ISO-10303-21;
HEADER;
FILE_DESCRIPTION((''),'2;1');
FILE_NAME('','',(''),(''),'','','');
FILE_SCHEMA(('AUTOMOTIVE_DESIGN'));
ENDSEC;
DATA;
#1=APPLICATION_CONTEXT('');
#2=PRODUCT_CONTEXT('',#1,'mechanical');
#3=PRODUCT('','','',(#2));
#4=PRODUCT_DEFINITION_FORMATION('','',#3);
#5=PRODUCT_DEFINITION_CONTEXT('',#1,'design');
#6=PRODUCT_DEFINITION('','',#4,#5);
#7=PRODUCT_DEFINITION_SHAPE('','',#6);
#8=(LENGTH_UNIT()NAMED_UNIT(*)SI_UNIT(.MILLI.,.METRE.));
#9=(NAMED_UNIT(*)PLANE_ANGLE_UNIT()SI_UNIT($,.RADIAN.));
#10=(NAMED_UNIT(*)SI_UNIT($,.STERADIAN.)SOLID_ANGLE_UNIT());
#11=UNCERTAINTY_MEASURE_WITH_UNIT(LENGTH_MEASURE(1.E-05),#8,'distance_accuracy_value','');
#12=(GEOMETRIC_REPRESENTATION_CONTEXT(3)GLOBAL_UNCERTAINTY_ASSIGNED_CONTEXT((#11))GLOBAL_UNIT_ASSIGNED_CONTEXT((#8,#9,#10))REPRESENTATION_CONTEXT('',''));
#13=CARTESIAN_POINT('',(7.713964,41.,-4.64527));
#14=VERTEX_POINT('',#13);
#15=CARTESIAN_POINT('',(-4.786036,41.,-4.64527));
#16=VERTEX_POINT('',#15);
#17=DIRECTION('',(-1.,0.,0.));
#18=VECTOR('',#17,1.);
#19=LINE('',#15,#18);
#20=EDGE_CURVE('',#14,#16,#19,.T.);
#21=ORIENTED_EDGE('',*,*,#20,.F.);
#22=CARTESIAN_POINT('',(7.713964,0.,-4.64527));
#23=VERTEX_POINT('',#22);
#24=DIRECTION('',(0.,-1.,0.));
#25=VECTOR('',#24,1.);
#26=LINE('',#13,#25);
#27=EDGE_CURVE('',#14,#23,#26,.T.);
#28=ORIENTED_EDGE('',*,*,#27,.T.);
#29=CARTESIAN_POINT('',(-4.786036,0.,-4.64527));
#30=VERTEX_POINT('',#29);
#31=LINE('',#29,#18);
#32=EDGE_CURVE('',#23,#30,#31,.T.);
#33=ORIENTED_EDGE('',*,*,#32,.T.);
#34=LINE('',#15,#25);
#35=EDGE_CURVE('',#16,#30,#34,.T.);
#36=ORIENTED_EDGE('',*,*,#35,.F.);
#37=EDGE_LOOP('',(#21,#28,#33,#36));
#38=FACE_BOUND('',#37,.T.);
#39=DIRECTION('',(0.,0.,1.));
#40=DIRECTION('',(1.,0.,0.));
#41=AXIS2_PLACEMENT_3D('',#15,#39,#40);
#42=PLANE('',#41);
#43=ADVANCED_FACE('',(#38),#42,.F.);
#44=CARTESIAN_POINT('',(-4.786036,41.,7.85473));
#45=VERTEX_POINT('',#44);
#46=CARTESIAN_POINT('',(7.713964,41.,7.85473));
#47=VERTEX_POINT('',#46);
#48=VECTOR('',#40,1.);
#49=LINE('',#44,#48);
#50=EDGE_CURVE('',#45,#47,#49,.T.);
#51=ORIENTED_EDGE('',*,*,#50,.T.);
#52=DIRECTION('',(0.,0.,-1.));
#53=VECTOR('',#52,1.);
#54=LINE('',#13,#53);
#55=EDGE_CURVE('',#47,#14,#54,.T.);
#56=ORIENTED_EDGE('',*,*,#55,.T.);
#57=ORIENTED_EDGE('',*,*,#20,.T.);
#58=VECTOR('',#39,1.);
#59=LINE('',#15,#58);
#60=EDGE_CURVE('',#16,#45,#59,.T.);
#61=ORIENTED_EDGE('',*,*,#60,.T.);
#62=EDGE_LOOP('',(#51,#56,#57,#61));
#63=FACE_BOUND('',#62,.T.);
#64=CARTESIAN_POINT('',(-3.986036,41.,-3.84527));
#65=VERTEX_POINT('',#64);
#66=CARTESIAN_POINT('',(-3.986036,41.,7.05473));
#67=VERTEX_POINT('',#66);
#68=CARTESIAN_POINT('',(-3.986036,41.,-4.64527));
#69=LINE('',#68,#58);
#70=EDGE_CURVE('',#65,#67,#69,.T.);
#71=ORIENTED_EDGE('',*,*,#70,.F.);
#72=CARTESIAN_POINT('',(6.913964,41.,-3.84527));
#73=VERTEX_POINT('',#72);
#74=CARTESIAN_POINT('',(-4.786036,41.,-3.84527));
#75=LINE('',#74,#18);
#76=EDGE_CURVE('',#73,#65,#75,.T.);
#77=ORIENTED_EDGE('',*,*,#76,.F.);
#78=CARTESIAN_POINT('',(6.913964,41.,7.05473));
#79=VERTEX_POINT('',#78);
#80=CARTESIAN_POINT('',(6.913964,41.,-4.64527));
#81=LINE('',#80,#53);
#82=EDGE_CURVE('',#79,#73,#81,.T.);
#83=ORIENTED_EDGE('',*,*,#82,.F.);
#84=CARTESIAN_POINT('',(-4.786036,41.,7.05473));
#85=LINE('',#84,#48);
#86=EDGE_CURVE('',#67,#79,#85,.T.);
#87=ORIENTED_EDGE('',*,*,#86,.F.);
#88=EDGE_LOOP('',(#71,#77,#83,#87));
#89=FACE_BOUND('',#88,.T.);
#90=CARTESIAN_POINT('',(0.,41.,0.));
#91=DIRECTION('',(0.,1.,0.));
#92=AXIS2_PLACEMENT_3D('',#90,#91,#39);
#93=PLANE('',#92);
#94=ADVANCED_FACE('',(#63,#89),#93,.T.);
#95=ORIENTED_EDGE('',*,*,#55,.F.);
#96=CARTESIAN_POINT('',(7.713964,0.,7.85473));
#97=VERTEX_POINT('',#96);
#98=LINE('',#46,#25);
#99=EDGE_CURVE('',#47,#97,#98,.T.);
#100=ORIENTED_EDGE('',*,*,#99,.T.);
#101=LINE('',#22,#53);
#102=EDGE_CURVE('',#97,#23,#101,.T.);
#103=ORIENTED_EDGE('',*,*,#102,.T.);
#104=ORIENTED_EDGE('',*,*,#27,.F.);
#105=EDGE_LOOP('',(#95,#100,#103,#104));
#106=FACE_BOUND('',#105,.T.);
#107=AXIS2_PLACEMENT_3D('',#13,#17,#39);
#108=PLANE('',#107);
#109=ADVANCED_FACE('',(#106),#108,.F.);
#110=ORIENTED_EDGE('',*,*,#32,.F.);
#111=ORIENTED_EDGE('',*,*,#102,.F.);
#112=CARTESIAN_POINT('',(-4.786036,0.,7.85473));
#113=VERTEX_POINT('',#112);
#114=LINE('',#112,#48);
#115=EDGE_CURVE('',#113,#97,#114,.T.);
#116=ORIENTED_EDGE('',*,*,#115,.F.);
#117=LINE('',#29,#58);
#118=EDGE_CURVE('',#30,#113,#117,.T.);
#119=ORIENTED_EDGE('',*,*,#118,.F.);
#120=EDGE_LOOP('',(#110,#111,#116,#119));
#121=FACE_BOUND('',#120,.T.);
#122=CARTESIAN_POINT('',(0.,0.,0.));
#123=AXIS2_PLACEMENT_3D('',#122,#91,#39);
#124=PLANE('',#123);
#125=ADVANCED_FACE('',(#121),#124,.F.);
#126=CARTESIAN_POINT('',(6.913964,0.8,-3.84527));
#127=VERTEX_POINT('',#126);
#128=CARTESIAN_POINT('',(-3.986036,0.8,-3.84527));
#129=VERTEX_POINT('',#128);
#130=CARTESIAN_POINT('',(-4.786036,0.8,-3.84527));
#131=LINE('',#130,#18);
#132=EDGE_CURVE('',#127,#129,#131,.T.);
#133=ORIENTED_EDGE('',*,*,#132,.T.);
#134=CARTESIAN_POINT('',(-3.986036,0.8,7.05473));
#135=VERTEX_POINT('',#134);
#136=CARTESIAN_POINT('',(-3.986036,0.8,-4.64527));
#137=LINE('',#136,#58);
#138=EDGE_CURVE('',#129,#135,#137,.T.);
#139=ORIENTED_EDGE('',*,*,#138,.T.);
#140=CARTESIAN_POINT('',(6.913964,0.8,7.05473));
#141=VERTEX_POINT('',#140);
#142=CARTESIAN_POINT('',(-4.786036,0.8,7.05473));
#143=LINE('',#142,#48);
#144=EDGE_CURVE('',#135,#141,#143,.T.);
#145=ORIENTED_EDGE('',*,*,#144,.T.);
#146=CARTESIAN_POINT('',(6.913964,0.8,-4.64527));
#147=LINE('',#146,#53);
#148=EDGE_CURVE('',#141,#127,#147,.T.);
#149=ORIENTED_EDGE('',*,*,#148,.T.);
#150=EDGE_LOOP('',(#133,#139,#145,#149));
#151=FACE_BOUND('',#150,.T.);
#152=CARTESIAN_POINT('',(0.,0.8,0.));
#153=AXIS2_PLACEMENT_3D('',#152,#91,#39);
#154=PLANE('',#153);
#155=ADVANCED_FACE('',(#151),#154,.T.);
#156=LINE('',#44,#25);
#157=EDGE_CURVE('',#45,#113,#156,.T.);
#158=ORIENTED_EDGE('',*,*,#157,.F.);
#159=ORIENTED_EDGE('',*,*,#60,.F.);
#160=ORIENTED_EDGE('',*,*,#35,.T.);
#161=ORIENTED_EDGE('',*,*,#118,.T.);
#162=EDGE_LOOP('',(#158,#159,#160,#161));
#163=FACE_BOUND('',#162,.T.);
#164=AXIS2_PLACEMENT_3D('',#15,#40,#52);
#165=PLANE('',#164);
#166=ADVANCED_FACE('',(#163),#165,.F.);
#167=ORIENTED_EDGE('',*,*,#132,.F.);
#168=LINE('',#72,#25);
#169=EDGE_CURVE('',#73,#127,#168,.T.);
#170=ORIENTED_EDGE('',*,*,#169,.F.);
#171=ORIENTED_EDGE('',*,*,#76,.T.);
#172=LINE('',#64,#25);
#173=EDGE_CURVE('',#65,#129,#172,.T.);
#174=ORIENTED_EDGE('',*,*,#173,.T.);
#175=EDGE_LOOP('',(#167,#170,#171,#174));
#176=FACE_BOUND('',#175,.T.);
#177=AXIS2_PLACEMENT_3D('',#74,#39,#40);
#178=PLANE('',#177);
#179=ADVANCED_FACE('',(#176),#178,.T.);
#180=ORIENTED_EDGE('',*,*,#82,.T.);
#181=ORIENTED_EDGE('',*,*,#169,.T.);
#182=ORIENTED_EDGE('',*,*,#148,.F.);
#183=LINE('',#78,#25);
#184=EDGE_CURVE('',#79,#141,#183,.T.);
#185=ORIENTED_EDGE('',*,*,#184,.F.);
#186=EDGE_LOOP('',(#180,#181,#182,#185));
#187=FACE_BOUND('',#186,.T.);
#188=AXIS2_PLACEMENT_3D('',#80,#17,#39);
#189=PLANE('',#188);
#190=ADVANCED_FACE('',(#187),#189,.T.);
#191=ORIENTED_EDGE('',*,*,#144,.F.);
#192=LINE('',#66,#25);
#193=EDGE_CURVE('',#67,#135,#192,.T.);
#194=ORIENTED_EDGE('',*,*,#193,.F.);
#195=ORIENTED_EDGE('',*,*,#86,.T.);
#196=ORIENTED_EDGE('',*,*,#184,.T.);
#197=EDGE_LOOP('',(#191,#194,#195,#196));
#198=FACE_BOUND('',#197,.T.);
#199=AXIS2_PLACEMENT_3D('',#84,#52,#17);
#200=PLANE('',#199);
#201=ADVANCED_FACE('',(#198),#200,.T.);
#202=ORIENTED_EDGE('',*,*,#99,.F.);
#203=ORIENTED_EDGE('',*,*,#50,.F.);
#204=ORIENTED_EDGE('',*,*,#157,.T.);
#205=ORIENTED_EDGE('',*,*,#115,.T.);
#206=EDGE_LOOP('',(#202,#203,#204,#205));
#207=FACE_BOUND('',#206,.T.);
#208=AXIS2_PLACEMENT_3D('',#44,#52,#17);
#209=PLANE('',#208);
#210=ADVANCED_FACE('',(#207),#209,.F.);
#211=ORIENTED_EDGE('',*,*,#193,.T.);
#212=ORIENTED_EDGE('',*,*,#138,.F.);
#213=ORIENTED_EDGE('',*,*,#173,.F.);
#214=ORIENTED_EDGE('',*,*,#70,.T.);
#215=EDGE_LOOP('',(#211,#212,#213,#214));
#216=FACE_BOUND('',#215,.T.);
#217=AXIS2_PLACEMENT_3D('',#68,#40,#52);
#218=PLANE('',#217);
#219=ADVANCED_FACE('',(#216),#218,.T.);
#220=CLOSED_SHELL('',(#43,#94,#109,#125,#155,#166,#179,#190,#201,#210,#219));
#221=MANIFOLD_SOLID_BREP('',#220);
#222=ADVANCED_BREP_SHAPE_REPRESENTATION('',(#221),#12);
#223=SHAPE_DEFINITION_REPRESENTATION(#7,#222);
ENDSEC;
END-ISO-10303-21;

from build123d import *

# Parameters (mm, degrees)
SKETCH1_W           = 12.5
SKETCH1_H           = 12.5
BOSS_EXTRUDE1_DEPTH = 41
SHELL1_T            = -0.8


with BuildPart() as part:
    # Sketch1 → Boss-Extrude1 (new body)
    with BuildSketch(Plane(origin=(0, 0, 0), x_dir=(1, 0, 0), z_dir=(0, 1, 0))):
        with Locations((1.463963964, -1.60472973)):
            Rectangle(SKETCH1_W, SKETCH1_H)
    extrude(amount=BOSS_EXTRUDE1_DEPTH)

    # Shell1
    shell1_openings = [part.faces().sort_by_distance(p)[0] for p in [
        (1.463963964, 41, 1.60472973),
    ]]
    offset(amount=SHELL1_T, openings=shell1_openings, kind=Kind.INTERSECTION)


solid = part.part
